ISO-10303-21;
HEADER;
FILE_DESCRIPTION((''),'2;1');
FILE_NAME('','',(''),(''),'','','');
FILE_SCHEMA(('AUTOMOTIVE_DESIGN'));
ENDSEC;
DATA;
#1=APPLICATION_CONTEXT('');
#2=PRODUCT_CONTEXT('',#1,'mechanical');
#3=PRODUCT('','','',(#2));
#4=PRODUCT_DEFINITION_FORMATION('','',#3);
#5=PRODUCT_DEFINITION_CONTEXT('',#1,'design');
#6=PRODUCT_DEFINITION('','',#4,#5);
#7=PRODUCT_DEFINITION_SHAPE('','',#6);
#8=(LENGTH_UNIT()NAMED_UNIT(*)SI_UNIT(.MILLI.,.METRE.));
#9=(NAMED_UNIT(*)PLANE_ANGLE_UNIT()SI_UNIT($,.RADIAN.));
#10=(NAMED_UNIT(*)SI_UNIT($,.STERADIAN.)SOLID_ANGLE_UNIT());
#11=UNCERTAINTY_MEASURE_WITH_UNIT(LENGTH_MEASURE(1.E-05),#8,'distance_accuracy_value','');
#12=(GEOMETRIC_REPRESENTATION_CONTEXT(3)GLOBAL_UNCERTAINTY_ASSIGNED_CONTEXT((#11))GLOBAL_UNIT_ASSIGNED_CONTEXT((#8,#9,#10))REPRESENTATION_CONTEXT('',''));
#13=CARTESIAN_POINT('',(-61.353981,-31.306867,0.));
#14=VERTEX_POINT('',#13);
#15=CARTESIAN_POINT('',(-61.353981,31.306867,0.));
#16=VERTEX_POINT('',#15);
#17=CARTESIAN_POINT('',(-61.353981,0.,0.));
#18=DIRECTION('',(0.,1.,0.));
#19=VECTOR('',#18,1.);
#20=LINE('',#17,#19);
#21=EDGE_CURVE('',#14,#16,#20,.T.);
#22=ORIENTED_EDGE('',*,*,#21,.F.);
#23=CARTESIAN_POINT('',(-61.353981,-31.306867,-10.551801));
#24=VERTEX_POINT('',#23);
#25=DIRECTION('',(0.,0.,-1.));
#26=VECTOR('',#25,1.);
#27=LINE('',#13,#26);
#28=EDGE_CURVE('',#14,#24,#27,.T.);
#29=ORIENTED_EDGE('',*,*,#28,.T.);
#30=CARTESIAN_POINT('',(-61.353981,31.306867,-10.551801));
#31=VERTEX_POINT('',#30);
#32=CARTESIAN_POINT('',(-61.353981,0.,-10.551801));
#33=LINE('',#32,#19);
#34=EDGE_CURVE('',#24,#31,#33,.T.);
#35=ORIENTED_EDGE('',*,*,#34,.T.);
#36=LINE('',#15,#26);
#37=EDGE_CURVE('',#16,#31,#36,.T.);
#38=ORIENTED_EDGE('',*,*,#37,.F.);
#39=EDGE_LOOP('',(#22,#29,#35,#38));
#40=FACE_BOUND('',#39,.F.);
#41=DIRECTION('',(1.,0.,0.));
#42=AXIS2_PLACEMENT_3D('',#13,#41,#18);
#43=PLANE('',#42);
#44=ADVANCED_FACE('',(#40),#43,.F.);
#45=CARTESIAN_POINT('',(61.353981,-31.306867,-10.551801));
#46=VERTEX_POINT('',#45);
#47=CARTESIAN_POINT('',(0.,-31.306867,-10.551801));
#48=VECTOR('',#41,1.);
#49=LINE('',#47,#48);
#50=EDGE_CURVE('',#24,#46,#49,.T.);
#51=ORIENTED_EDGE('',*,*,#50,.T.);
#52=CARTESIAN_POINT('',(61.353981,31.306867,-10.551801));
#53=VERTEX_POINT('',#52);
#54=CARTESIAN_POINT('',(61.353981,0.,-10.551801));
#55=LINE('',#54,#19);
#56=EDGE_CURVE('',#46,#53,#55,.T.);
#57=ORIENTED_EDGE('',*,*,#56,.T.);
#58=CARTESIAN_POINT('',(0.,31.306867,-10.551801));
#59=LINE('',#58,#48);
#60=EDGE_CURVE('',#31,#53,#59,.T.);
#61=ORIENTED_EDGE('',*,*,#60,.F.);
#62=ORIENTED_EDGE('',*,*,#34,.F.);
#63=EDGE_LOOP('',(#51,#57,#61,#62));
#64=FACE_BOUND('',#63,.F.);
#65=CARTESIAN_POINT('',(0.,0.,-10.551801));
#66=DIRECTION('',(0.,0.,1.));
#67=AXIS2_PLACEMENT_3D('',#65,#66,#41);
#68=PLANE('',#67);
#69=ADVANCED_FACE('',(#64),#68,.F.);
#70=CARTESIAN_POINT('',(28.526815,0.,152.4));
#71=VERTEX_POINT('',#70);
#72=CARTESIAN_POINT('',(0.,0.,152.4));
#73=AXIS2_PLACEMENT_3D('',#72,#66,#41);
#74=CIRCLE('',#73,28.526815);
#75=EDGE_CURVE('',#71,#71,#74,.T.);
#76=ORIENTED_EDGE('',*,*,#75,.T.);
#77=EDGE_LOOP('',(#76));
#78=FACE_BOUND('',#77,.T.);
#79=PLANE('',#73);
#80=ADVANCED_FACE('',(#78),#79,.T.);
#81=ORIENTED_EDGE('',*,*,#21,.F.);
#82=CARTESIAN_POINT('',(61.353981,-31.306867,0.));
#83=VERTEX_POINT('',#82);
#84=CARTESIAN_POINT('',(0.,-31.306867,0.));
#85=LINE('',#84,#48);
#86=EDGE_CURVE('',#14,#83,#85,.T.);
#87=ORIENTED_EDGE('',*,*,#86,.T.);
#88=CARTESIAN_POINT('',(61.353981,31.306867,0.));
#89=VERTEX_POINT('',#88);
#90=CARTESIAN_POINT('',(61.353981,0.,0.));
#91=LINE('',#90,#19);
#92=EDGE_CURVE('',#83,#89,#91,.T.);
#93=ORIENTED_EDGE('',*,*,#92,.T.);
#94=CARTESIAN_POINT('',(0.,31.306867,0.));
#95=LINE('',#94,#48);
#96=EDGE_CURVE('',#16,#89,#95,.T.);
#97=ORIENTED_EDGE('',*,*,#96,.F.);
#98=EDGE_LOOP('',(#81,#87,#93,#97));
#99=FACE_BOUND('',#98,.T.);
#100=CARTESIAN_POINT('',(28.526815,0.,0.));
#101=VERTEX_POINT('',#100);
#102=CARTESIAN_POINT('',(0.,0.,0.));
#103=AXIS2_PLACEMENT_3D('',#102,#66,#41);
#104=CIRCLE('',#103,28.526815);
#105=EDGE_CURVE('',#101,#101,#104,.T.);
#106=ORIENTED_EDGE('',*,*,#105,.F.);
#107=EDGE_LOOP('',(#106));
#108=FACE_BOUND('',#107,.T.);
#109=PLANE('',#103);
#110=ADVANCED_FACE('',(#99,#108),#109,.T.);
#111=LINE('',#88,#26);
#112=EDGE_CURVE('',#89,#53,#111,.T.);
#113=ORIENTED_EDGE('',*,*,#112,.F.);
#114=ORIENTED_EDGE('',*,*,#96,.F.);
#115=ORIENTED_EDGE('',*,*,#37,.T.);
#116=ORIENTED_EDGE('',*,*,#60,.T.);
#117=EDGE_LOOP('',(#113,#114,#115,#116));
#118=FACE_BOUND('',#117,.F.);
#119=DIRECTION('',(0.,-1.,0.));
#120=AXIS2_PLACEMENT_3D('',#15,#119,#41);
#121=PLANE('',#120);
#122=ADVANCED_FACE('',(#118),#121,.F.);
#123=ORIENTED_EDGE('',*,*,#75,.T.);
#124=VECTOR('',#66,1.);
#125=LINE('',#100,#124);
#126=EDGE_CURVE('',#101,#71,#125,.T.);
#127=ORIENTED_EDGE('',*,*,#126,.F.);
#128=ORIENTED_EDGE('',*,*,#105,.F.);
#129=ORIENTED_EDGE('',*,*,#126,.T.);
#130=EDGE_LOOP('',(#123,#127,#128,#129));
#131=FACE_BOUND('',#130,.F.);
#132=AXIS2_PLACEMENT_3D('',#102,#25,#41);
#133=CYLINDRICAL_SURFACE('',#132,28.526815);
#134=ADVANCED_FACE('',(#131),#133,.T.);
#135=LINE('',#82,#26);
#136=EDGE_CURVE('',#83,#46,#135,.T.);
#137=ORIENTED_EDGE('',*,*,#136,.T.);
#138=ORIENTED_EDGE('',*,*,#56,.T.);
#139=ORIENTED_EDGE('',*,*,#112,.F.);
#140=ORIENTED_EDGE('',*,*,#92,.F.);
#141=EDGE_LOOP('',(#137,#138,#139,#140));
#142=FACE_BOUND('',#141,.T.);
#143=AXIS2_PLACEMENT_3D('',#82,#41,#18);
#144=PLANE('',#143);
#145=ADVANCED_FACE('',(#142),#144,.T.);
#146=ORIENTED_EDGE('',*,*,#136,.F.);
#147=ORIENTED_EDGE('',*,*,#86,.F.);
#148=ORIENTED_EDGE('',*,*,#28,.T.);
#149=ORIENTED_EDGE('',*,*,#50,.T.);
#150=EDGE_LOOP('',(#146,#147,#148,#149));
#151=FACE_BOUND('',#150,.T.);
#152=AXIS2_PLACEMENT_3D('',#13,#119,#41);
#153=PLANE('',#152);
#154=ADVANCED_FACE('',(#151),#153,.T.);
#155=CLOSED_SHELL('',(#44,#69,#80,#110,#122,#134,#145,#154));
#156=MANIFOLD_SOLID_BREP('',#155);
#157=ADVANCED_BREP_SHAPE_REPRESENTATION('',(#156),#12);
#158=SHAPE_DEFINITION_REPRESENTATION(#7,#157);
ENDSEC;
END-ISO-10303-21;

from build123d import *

# Parameters (mm, degrees)
F0_R     = 28.526815
F1_DEPTH = 152.4
F2_W     = 122.707962
F2_H     = 62.613734
F3_DEPTH = 10.551801


with BuildPart() as f1:
    # F0 (on Top) → F1 (new body)
    with BuildSketch(Plane.XY):
        Circle(F0_R)
    extrude(amount=F1_DEPTH)

    # F2 (on Top) → F3 (join)
    with BuildSketch(Plane.XY):
        Rectangle(F2_W, F2_H)
    extrude(amount=-F3_DEPTH)


solid = f1.part
